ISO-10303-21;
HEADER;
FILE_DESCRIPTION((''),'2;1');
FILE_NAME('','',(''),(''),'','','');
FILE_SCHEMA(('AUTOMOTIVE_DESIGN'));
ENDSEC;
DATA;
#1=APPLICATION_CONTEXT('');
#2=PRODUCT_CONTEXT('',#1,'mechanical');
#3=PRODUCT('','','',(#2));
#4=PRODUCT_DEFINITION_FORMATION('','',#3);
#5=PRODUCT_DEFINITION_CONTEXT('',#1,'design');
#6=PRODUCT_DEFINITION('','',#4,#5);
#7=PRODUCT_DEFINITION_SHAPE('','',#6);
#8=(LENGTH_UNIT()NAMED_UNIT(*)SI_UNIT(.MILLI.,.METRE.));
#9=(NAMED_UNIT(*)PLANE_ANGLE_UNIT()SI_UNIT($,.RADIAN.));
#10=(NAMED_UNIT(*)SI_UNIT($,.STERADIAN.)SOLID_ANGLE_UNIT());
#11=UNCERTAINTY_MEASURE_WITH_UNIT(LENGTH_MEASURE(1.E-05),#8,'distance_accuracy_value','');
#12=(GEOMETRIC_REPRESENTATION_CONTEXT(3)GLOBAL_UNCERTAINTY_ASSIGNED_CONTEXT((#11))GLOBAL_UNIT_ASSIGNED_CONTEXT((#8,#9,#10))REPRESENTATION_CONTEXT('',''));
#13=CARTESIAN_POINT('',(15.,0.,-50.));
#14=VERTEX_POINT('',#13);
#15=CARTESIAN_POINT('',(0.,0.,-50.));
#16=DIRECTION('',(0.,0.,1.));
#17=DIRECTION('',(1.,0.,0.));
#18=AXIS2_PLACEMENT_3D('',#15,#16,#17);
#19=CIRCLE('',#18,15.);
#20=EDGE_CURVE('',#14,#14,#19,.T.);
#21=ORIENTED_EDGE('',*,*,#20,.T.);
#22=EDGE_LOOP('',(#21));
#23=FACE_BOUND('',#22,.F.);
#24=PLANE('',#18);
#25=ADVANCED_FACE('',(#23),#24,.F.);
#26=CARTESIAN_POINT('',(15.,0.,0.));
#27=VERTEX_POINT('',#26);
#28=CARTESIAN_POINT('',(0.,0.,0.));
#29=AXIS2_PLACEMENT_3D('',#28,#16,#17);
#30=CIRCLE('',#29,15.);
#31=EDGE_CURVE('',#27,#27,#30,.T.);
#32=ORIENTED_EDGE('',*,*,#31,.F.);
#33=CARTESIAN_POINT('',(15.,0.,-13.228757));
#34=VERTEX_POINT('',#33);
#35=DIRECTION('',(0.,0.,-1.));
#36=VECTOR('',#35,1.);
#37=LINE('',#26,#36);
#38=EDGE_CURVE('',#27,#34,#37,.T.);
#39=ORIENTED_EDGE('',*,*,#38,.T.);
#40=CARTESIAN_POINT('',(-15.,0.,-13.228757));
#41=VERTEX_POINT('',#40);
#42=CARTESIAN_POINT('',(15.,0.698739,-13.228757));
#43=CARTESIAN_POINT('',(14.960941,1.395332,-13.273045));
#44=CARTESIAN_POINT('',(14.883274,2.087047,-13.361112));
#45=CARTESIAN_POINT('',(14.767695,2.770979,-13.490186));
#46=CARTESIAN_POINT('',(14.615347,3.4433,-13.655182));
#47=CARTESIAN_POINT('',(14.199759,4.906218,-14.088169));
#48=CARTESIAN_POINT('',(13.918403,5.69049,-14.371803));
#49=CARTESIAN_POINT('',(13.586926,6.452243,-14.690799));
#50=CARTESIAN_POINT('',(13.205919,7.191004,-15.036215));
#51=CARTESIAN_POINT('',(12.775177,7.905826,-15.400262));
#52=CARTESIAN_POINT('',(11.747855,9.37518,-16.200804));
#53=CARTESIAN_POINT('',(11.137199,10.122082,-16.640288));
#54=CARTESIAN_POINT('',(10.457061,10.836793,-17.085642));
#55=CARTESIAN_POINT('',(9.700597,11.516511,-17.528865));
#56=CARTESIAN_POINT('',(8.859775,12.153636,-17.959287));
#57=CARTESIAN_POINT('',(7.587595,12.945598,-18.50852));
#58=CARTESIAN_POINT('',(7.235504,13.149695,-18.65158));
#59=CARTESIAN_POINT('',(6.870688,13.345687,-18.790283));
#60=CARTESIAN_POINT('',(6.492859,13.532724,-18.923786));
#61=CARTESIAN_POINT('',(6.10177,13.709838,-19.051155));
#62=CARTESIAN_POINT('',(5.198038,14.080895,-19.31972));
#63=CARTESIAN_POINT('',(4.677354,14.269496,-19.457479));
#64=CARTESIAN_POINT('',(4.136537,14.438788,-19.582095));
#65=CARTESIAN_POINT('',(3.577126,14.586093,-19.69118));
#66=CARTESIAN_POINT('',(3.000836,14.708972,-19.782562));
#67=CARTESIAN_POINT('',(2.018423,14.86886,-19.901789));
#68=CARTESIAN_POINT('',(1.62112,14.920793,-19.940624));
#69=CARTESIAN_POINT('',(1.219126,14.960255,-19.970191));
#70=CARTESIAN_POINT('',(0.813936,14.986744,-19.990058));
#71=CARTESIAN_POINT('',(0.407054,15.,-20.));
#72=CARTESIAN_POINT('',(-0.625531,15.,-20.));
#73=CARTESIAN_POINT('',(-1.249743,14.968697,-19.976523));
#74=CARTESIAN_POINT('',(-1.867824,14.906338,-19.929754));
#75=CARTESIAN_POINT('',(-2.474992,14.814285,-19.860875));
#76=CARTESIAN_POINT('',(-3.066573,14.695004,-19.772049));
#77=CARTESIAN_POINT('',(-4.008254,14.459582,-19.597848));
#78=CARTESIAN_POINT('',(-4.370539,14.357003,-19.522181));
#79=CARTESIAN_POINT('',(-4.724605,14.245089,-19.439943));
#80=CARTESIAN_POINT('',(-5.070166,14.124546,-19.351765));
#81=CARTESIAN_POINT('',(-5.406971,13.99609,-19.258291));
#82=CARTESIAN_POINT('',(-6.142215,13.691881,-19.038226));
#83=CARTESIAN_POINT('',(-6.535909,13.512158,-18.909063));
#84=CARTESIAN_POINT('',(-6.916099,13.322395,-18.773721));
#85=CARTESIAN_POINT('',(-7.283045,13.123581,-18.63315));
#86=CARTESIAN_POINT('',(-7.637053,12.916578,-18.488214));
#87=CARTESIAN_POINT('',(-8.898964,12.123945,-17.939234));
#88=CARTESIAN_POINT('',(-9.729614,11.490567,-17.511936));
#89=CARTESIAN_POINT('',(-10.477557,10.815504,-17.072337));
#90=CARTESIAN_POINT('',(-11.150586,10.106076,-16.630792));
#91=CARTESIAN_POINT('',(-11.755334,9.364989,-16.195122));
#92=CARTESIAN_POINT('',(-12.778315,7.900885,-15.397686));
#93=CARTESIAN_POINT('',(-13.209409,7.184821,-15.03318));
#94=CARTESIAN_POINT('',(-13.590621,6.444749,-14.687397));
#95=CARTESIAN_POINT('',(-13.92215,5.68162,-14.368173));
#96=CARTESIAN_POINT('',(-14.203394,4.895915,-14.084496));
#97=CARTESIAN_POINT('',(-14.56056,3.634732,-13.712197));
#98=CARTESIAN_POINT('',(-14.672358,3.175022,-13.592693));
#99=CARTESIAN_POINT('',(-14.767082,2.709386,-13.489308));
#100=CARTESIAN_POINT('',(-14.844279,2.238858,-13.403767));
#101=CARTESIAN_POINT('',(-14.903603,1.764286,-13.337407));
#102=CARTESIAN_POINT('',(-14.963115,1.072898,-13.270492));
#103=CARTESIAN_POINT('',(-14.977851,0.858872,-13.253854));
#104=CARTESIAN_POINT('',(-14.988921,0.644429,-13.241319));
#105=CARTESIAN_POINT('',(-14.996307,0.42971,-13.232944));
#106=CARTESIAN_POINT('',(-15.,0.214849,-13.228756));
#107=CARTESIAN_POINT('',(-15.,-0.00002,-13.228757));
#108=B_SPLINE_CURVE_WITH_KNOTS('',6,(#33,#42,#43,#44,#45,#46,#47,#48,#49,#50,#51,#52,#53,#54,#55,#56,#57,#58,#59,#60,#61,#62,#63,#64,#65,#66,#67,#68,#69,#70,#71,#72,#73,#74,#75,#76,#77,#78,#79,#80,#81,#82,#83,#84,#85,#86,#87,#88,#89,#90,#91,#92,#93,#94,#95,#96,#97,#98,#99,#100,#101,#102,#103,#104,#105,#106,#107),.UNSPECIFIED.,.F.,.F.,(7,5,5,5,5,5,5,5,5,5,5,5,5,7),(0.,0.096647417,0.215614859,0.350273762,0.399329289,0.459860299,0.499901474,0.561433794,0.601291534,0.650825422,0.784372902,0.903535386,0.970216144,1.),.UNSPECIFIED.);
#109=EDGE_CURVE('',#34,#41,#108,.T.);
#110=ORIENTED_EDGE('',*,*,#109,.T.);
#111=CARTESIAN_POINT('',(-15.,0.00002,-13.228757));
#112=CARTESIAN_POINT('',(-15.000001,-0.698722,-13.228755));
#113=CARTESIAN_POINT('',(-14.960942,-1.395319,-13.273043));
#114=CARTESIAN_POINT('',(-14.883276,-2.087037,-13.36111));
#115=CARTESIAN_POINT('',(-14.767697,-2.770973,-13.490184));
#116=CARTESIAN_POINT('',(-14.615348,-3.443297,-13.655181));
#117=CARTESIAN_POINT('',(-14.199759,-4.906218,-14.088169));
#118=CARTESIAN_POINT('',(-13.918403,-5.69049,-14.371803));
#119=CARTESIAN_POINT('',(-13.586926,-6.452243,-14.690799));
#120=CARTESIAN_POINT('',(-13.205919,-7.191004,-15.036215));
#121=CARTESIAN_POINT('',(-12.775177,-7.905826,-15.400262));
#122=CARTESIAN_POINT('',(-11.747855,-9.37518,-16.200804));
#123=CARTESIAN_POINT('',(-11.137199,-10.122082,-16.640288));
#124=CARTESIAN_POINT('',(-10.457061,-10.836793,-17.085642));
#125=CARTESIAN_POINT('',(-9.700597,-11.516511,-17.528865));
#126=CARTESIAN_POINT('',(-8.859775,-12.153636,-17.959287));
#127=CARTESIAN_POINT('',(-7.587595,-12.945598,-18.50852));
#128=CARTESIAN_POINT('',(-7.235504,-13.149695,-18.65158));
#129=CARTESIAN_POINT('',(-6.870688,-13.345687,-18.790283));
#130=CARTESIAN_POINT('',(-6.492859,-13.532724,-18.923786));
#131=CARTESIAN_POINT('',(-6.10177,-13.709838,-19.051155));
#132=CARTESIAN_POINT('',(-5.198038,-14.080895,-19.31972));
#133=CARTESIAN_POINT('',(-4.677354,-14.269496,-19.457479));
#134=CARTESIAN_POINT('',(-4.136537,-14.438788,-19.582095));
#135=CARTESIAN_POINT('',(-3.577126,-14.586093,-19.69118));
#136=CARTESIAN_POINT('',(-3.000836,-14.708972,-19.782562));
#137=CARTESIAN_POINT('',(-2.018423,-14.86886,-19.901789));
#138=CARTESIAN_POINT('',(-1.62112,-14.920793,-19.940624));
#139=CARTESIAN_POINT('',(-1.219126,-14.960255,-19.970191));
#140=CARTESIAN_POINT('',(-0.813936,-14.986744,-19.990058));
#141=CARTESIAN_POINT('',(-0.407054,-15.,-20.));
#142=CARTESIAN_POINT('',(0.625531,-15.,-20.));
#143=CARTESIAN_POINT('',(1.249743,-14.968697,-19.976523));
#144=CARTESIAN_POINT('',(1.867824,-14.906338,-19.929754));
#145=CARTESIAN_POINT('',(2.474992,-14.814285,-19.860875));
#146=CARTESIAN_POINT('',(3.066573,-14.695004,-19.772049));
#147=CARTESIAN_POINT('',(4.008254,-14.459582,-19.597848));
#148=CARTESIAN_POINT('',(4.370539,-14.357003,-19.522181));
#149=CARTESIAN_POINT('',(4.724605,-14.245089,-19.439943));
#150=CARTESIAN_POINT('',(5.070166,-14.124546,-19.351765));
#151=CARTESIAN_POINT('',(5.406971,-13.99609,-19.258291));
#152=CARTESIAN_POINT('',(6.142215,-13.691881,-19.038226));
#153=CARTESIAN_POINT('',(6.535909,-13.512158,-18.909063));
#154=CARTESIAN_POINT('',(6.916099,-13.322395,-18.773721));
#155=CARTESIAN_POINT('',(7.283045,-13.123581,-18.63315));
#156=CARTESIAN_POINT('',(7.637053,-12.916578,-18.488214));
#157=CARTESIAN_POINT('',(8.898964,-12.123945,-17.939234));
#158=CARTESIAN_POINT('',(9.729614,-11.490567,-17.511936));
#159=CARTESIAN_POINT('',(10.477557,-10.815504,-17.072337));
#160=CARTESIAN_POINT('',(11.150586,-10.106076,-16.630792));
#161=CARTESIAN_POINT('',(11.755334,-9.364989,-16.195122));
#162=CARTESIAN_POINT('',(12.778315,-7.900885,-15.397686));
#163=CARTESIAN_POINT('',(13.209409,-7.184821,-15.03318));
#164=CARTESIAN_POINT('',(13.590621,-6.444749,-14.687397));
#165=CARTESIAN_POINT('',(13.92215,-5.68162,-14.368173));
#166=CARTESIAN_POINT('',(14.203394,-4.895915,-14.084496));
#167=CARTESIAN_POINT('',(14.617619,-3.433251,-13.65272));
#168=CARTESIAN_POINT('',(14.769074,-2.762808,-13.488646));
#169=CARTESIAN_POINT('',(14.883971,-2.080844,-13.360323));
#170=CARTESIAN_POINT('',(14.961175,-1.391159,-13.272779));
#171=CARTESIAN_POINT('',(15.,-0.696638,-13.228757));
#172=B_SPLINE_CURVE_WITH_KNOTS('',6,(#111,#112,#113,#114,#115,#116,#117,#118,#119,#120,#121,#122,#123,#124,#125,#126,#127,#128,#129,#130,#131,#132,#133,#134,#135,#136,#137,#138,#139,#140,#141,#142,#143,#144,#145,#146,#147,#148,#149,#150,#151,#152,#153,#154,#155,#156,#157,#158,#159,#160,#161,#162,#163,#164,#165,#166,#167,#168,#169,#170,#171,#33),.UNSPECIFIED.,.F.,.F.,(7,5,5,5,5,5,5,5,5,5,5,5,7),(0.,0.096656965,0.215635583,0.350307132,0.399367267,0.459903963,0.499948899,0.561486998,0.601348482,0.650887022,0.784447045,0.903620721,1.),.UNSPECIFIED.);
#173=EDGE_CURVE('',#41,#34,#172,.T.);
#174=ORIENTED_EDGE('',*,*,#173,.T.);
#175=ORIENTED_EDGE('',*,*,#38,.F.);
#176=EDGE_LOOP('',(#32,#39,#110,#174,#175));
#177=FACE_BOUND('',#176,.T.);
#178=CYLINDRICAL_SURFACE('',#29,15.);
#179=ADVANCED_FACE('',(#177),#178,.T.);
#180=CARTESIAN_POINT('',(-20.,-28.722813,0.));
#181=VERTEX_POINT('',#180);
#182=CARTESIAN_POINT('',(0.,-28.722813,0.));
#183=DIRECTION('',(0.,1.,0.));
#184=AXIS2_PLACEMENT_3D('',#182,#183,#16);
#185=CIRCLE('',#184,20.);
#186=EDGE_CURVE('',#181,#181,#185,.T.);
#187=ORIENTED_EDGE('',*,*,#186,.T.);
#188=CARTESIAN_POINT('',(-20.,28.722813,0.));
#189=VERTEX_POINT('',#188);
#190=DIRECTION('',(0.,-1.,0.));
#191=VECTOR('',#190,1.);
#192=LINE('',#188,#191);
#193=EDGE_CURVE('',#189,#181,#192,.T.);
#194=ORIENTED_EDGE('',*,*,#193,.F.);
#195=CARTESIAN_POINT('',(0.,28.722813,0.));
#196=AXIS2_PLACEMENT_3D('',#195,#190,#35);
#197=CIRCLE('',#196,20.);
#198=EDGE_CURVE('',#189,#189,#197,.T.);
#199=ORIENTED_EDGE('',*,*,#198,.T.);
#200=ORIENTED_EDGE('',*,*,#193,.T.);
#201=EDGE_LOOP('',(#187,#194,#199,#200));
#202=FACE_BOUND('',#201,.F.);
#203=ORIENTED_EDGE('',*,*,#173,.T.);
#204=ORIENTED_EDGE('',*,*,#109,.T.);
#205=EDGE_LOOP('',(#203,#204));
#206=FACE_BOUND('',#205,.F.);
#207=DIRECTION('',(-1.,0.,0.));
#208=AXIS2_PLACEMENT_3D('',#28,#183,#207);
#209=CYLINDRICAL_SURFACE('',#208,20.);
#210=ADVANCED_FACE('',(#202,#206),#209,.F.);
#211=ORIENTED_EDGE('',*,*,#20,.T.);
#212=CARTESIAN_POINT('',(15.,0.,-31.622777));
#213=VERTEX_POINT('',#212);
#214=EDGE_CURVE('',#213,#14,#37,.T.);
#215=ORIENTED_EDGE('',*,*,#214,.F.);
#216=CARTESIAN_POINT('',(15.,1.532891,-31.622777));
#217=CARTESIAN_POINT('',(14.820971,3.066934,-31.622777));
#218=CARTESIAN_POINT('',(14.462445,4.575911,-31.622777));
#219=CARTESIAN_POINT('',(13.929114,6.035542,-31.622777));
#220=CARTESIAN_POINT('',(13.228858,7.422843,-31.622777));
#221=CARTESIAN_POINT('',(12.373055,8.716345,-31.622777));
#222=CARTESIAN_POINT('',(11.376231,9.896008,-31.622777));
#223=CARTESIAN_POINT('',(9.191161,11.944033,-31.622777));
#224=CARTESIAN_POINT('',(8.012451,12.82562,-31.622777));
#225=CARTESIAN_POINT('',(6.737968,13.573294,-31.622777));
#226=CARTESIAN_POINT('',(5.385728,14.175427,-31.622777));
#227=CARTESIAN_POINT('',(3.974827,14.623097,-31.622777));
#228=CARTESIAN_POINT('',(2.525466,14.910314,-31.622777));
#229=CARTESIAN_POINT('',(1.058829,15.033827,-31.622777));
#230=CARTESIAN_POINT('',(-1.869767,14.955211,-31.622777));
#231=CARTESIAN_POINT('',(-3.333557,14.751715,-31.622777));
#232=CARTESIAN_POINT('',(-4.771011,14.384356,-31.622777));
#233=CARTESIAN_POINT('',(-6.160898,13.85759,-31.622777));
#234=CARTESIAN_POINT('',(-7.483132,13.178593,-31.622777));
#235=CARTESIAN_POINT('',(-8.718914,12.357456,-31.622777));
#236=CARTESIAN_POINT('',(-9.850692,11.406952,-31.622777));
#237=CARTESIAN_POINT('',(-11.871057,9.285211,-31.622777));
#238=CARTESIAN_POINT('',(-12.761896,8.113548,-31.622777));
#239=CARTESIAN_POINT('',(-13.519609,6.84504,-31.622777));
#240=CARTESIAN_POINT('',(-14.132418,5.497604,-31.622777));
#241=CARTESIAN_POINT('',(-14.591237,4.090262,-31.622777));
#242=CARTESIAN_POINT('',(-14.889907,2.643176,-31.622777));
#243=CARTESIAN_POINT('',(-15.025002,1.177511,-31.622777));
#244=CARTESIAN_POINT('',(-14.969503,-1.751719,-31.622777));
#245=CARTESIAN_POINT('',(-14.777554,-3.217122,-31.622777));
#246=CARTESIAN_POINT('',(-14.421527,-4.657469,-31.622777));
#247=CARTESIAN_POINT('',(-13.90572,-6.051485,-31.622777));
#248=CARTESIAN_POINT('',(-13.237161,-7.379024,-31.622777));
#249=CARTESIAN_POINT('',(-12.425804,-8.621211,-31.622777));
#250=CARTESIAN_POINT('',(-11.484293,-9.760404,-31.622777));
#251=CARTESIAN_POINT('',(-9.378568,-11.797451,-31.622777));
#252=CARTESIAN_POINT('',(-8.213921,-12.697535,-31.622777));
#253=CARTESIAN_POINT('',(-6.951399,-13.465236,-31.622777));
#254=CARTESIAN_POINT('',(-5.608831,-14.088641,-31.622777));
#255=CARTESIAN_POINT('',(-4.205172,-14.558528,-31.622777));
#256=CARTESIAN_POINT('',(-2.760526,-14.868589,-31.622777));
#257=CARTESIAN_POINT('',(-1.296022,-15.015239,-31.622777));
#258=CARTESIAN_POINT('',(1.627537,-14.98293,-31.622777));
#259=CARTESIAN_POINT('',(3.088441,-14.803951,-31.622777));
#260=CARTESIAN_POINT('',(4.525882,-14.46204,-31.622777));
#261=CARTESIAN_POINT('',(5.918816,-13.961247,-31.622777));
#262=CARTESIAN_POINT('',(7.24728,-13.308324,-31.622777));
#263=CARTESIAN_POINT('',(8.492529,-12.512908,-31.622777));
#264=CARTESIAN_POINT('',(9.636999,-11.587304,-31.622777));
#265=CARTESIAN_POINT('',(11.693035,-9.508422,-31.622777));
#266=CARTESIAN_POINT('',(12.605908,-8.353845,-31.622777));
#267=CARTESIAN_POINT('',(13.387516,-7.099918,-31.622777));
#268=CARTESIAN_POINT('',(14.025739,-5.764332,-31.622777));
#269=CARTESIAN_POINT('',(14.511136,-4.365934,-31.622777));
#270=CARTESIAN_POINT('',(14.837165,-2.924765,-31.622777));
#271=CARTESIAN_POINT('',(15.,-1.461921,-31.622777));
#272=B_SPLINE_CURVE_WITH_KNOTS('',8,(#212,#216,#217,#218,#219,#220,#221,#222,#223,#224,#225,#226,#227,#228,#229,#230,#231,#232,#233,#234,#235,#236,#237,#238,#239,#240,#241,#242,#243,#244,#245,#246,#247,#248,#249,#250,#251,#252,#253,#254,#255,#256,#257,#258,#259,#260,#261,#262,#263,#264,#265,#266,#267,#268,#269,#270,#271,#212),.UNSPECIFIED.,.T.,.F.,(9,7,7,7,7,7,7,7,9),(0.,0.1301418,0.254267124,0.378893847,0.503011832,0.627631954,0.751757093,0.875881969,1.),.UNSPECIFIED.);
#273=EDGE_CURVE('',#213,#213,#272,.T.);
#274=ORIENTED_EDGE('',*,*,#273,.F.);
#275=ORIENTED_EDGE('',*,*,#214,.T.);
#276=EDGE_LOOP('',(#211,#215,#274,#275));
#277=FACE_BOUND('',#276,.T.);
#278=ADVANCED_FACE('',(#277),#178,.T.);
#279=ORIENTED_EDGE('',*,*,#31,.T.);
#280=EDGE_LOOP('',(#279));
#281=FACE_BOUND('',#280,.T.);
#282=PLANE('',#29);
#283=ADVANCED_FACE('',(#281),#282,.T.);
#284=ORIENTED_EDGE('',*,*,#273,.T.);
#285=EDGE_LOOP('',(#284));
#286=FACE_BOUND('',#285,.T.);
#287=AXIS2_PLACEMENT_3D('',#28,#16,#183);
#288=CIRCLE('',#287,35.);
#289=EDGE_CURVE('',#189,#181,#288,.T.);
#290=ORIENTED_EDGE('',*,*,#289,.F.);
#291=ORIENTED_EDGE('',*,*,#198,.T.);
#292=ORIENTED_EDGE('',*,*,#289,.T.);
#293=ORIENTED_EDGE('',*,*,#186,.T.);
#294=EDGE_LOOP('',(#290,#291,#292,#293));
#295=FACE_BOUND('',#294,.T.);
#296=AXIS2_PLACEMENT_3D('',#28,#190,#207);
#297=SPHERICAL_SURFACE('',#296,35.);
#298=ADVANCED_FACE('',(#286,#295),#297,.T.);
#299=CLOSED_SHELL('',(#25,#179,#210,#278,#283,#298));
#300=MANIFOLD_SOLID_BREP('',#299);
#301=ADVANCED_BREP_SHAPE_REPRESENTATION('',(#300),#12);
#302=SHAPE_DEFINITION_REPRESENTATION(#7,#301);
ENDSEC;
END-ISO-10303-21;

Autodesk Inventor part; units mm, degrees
ref_plane "YZ Plane" through (0, 0, 0) normal (1, 0, 0) x (0, 1, 0)
sketch "スケッチ1" plane through (0, 0, 0) normal (0, 0, 1) x (1, 0, 0)
  arc A0 (0, 35) -> (0, -35) centre (0, 0) ccw
  line L0 (0, 35) -> (0, -35)
  dimension "d0" = 70
revolve "回転1" add sketch "スケッチ1" angle 360 about axis through (0, 35, 0) along (0, -1, 0)
sketch "スケッチ2" plane through (0, 0, 0) normal (0, 1, 0) x (-1, 0, 0)
  circle A0 centre (0, 0) radius 20
  dimension "d2" = 40
extrude "押し出し1" cut sketch "スケッチ2" along normal mid plane 100
sketch "スケッチ3" plane through (0, 0, 0) normal (0, 0, 1) x (1, 0, 0)
  circle A0 centre (0, 0) radius 15
  dimension "d5" = 30
extrude "押し出し2" add sketch "スケッチ3" against normal blind 50
properties part number "HandP"
